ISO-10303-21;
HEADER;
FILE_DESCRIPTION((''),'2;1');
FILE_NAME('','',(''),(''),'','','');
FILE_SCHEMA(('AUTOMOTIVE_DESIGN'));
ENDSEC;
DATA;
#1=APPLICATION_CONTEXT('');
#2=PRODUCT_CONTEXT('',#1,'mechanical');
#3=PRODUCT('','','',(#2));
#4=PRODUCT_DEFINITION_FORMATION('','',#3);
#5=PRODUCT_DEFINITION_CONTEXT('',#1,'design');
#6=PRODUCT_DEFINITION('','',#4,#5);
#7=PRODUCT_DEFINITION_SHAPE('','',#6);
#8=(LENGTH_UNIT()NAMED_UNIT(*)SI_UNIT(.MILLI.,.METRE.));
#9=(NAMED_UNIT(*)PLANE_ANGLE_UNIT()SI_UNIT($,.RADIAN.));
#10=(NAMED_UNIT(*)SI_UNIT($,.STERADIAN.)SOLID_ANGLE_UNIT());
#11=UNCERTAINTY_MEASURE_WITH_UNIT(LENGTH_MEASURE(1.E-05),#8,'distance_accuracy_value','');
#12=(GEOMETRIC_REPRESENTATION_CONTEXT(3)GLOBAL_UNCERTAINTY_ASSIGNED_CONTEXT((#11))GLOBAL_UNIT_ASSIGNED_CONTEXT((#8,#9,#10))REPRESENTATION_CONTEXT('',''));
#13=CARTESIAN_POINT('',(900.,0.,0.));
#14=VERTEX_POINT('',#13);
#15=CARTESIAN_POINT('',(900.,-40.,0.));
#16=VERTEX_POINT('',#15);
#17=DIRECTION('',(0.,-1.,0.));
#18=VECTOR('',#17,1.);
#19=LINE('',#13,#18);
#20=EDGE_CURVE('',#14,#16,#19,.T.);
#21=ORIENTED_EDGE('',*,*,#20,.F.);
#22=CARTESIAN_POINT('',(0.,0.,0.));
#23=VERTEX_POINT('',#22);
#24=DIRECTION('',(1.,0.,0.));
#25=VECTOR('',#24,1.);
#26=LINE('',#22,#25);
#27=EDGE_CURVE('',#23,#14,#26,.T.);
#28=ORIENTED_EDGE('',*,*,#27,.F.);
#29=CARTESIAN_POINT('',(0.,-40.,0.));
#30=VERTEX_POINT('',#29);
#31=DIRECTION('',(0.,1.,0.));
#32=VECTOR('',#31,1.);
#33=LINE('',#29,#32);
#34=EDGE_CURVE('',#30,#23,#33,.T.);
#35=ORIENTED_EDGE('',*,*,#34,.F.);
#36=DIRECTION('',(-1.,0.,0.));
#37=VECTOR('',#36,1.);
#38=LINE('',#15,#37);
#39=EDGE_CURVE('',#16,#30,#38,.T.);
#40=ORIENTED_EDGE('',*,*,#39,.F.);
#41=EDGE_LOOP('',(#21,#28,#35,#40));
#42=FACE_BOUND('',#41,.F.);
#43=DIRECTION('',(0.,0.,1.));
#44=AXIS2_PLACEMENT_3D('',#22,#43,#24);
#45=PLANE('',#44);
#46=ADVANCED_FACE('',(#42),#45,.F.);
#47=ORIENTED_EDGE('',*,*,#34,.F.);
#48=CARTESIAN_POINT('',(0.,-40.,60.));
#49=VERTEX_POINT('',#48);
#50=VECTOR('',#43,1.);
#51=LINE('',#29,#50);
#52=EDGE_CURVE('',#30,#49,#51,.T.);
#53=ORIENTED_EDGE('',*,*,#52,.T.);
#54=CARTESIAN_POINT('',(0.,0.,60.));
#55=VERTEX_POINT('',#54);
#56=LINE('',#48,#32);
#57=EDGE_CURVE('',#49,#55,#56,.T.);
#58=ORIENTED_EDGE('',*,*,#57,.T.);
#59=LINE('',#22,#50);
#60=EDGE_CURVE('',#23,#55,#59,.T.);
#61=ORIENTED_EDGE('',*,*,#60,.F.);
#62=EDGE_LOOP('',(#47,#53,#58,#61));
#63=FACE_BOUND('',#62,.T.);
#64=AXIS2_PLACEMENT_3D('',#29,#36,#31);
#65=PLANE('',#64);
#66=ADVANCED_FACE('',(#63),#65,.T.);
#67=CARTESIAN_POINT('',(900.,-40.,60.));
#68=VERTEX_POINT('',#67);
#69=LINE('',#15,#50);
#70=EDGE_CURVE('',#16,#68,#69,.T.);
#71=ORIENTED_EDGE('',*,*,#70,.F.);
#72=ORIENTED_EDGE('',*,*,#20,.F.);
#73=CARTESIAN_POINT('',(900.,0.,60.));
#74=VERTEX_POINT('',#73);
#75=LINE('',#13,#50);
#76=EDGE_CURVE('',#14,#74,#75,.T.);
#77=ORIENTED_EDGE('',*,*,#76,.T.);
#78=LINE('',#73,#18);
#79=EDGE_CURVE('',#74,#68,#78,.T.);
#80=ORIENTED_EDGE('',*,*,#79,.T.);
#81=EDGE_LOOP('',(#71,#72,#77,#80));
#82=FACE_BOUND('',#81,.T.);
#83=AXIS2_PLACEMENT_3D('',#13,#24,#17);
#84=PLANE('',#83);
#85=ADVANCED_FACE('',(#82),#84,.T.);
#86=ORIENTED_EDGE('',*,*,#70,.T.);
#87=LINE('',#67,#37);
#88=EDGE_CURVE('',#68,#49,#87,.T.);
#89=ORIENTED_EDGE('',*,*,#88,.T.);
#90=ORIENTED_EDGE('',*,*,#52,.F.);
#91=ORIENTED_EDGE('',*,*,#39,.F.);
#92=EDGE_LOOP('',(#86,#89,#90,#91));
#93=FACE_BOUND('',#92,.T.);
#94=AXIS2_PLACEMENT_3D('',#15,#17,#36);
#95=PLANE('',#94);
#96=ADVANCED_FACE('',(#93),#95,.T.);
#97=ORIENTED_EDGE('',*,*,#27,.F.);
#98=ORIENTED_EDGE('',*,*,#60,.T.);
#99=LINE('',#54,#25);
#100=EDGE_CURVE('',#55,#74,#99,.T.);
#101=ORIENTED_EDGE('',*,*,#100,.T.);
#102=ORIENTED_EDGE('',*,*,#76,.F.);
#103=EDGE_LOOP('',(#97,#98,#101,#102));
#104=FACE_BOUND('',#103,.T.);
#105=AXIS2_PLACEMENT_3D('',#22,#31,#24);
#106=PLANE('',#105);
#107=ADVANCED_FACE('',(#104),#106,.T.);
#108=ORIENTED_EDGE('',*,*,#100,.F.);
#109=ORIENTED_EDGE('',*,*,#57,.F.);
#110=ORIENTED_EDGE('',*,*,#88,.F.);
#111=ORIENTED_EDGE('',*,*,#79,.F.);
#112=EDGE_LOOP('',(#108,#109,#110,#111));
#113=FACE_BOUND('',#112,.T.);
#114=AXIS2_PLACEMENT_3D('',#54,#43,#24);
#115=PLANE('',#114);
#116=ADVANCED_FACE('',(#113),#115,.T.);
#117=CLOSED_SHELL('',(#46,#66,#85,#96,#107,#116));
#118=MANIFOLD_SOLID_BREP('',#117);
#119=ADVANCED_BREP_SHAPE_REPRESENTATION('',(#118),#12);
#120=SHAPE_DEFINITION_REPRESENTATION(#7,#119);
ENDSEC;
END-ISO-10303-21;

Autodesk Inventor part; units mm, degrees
ref_plane "YZ Plane" through (0, 0, 0) normal (1, 0, 0) x (0, 1, 0)
ref_plane "XZ Plane" through (0, 0, 0) normal (0, 1, 0) x (-1, 0, 0)
ref_plane "XY Plane" through (0, 0, 0) normal (0, 0, 1) x (1, 0, 0)
sketch "Skizze1" plane through (0, 0, 0) normal (0, 0, 1) x (1, 0, 0)
  line L0 (0, 0) -> (900, 0)
  line L1 (900, 0) -> (900, -40)
  line L2 (900, -40) -> (0, -40)
  line L3 (0, -40) -> (0, 0)
  dimension "d0" = 900
  dimension "d1" = 40
extrude "Extrusion1" add sketch "Skizze1" along normal blind 60
properties part number "40x60Staffel"
